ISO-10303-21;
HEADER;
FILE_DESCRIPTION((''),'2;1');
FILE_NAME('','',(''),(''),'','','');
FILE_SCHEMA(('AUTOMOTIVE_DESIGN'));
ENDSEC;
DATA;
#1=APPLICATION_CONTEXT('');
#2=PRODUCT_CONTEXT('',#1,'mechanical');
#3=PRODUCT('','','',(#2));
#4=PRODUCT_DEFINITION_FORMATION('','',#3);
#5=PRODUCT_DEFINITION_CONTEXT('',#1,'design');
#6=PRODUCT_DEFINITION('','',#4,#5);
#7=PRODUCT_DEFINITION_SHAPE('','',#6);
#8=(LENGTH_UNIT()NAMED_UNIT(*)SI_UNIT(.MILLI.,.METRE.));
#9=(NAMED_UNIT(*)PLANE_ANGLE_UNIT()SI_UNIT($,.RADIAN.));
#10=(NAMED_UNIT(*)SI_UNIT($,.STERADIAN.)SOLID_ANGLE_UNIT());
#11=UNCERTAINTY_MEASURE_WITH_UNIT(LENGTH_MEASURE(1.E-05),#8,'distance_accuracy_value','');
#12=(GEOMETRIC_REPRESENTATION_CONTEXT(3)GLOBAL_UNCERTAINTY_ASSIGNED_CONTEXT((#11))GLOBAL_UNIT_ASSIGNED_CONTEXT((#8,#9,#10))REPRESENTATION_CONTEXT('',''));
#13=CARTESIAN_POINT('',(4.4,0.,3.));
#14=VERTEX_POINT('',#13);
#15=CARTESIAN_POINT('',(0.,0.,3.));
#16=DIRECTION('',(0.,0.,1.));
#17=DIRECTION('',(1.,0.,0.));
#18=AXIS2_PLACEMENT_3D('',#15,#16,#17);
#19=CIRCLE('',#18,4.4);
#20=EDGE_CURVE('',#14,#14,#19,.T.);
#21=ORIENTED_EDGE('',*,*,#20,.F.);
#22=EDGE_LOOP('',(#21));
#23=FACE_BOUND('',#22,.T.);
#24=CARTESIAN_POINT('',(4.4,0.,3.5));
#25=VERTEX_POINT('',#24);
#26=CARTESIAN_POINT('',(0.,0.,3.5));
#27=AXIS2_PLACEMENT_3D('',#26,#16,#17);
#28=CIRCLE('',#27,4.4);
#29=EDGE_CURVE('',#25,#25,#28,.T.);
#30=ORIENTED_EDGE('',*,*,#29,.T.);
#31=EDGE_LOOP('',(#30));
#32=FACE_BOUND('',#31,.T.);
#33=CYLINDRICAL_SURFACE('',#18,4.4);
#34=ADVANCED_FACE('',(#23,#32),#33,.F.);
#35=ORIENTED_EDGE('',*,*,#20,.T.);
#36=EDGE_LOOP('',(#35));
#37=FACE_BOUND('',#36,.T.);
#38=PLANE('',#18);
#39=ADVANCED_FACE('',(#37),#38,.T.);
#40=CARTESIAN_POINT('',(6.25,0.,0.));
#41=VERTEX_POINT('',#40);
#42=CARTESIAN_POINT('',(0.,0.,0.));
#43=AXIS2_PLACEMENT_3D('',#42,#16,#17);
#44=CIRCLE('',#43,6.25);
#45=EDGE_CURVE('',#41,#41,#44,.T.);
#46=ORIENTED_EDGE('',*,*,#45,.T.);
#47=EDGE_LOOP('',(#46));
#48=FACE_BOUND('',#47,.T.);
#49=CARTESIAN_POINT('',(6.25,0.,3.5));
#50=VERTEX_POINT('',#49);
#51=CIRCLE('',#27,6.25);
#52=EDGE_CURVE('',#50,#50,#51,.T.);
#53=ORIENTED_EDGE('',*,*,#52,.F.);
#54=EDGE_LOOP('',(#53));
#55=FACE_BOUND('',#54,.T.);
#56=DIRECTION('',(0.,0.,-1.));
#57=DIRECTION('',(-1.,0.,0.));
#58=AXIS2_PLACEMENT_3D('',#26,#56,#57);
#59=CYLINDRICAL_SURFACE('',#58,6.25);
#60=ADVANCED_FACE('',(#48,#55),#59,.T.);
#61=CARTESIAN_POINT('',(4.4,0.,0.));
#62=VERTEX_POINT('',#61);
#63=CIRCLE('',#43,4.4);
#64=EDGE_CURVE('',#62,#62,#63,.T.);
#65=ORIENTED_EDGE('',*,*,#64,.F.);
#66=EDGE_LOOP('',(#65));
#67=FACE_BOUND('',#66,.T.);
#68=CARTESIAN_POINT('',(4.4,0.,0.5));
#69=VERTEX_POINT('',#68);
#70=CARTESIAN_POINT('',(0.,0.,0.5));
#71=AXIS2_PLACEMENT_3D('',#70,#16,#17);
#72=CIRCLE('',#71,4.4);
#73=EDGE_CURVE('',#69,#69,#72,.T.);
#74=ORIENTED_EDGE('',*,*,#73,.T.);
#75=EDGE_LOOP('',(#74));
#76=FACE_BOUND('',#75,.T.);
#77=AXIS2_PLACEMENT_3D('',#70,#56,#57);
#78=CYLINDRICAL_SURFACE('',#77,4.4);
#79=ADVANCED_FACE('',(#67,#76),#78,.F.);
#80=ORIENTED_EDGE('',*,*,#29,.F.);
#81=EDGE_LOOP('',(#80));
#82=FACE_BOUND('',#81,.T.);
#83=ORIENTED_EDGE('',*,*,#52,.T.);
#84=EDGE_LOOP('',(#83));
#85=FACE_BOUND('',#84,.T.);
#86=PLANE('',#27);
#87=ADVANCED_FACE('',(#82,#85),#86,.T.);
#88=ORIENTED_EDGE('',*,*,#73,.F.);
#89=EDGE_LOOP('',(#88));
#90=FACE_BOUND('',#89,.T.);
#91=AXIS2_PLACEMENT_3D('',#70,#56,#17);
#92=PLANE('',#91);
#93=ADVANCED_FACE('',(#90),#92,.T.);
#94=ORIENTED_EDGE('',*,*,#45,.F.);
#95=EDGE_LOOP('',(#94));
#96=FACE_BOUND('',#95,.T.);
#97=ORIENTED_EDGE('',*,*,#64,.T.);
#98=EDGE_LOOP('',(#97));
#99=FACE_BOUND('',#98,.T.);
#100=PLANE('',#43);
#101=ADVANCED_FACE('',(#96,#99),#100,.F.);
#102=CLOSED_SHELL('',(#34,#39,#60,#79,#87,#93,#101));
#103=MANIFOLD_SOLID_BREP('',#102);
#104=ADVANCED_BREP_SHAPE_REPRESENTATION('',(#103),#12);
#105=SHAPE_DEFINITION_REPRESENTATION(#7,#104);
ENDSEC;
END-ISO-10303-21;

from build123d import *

# Parameters (mm, degrees)
SKETCH1_R           = 6.25
BOSS_EXTRUDE1_DEPTH = 3.5
SKETCH2_R           = 4.4
CUT_EXTRUDE1_DEPTH  = 0.5


with BuildPart() as part:
    # Sketch1 → Boss-Extrude1 (new body)
    with BuildSketch(Plane.XY):
        Circle(SKETCH1_R)
    extrude(amount=BOSS_EXTRUDE1_DEPTH)

    # Sketch2 → Cut-Extrude1 (cut)
    with BuildSketch(Plane.XY.offset(3.5)):
        Circle(SKETCH2_R)
    cut_extrude1 = extrude(amount=-CUT_EXTRUDE1_DEPTH, mode=Mode.SUBTRACT)

    # Mirror1: Cut-Extrude1 across plane
    add(cut_extrude1.mirror(Plane.XY.offset(1.75)), mode=Mode.SUBTRACT)


solid = part.part
